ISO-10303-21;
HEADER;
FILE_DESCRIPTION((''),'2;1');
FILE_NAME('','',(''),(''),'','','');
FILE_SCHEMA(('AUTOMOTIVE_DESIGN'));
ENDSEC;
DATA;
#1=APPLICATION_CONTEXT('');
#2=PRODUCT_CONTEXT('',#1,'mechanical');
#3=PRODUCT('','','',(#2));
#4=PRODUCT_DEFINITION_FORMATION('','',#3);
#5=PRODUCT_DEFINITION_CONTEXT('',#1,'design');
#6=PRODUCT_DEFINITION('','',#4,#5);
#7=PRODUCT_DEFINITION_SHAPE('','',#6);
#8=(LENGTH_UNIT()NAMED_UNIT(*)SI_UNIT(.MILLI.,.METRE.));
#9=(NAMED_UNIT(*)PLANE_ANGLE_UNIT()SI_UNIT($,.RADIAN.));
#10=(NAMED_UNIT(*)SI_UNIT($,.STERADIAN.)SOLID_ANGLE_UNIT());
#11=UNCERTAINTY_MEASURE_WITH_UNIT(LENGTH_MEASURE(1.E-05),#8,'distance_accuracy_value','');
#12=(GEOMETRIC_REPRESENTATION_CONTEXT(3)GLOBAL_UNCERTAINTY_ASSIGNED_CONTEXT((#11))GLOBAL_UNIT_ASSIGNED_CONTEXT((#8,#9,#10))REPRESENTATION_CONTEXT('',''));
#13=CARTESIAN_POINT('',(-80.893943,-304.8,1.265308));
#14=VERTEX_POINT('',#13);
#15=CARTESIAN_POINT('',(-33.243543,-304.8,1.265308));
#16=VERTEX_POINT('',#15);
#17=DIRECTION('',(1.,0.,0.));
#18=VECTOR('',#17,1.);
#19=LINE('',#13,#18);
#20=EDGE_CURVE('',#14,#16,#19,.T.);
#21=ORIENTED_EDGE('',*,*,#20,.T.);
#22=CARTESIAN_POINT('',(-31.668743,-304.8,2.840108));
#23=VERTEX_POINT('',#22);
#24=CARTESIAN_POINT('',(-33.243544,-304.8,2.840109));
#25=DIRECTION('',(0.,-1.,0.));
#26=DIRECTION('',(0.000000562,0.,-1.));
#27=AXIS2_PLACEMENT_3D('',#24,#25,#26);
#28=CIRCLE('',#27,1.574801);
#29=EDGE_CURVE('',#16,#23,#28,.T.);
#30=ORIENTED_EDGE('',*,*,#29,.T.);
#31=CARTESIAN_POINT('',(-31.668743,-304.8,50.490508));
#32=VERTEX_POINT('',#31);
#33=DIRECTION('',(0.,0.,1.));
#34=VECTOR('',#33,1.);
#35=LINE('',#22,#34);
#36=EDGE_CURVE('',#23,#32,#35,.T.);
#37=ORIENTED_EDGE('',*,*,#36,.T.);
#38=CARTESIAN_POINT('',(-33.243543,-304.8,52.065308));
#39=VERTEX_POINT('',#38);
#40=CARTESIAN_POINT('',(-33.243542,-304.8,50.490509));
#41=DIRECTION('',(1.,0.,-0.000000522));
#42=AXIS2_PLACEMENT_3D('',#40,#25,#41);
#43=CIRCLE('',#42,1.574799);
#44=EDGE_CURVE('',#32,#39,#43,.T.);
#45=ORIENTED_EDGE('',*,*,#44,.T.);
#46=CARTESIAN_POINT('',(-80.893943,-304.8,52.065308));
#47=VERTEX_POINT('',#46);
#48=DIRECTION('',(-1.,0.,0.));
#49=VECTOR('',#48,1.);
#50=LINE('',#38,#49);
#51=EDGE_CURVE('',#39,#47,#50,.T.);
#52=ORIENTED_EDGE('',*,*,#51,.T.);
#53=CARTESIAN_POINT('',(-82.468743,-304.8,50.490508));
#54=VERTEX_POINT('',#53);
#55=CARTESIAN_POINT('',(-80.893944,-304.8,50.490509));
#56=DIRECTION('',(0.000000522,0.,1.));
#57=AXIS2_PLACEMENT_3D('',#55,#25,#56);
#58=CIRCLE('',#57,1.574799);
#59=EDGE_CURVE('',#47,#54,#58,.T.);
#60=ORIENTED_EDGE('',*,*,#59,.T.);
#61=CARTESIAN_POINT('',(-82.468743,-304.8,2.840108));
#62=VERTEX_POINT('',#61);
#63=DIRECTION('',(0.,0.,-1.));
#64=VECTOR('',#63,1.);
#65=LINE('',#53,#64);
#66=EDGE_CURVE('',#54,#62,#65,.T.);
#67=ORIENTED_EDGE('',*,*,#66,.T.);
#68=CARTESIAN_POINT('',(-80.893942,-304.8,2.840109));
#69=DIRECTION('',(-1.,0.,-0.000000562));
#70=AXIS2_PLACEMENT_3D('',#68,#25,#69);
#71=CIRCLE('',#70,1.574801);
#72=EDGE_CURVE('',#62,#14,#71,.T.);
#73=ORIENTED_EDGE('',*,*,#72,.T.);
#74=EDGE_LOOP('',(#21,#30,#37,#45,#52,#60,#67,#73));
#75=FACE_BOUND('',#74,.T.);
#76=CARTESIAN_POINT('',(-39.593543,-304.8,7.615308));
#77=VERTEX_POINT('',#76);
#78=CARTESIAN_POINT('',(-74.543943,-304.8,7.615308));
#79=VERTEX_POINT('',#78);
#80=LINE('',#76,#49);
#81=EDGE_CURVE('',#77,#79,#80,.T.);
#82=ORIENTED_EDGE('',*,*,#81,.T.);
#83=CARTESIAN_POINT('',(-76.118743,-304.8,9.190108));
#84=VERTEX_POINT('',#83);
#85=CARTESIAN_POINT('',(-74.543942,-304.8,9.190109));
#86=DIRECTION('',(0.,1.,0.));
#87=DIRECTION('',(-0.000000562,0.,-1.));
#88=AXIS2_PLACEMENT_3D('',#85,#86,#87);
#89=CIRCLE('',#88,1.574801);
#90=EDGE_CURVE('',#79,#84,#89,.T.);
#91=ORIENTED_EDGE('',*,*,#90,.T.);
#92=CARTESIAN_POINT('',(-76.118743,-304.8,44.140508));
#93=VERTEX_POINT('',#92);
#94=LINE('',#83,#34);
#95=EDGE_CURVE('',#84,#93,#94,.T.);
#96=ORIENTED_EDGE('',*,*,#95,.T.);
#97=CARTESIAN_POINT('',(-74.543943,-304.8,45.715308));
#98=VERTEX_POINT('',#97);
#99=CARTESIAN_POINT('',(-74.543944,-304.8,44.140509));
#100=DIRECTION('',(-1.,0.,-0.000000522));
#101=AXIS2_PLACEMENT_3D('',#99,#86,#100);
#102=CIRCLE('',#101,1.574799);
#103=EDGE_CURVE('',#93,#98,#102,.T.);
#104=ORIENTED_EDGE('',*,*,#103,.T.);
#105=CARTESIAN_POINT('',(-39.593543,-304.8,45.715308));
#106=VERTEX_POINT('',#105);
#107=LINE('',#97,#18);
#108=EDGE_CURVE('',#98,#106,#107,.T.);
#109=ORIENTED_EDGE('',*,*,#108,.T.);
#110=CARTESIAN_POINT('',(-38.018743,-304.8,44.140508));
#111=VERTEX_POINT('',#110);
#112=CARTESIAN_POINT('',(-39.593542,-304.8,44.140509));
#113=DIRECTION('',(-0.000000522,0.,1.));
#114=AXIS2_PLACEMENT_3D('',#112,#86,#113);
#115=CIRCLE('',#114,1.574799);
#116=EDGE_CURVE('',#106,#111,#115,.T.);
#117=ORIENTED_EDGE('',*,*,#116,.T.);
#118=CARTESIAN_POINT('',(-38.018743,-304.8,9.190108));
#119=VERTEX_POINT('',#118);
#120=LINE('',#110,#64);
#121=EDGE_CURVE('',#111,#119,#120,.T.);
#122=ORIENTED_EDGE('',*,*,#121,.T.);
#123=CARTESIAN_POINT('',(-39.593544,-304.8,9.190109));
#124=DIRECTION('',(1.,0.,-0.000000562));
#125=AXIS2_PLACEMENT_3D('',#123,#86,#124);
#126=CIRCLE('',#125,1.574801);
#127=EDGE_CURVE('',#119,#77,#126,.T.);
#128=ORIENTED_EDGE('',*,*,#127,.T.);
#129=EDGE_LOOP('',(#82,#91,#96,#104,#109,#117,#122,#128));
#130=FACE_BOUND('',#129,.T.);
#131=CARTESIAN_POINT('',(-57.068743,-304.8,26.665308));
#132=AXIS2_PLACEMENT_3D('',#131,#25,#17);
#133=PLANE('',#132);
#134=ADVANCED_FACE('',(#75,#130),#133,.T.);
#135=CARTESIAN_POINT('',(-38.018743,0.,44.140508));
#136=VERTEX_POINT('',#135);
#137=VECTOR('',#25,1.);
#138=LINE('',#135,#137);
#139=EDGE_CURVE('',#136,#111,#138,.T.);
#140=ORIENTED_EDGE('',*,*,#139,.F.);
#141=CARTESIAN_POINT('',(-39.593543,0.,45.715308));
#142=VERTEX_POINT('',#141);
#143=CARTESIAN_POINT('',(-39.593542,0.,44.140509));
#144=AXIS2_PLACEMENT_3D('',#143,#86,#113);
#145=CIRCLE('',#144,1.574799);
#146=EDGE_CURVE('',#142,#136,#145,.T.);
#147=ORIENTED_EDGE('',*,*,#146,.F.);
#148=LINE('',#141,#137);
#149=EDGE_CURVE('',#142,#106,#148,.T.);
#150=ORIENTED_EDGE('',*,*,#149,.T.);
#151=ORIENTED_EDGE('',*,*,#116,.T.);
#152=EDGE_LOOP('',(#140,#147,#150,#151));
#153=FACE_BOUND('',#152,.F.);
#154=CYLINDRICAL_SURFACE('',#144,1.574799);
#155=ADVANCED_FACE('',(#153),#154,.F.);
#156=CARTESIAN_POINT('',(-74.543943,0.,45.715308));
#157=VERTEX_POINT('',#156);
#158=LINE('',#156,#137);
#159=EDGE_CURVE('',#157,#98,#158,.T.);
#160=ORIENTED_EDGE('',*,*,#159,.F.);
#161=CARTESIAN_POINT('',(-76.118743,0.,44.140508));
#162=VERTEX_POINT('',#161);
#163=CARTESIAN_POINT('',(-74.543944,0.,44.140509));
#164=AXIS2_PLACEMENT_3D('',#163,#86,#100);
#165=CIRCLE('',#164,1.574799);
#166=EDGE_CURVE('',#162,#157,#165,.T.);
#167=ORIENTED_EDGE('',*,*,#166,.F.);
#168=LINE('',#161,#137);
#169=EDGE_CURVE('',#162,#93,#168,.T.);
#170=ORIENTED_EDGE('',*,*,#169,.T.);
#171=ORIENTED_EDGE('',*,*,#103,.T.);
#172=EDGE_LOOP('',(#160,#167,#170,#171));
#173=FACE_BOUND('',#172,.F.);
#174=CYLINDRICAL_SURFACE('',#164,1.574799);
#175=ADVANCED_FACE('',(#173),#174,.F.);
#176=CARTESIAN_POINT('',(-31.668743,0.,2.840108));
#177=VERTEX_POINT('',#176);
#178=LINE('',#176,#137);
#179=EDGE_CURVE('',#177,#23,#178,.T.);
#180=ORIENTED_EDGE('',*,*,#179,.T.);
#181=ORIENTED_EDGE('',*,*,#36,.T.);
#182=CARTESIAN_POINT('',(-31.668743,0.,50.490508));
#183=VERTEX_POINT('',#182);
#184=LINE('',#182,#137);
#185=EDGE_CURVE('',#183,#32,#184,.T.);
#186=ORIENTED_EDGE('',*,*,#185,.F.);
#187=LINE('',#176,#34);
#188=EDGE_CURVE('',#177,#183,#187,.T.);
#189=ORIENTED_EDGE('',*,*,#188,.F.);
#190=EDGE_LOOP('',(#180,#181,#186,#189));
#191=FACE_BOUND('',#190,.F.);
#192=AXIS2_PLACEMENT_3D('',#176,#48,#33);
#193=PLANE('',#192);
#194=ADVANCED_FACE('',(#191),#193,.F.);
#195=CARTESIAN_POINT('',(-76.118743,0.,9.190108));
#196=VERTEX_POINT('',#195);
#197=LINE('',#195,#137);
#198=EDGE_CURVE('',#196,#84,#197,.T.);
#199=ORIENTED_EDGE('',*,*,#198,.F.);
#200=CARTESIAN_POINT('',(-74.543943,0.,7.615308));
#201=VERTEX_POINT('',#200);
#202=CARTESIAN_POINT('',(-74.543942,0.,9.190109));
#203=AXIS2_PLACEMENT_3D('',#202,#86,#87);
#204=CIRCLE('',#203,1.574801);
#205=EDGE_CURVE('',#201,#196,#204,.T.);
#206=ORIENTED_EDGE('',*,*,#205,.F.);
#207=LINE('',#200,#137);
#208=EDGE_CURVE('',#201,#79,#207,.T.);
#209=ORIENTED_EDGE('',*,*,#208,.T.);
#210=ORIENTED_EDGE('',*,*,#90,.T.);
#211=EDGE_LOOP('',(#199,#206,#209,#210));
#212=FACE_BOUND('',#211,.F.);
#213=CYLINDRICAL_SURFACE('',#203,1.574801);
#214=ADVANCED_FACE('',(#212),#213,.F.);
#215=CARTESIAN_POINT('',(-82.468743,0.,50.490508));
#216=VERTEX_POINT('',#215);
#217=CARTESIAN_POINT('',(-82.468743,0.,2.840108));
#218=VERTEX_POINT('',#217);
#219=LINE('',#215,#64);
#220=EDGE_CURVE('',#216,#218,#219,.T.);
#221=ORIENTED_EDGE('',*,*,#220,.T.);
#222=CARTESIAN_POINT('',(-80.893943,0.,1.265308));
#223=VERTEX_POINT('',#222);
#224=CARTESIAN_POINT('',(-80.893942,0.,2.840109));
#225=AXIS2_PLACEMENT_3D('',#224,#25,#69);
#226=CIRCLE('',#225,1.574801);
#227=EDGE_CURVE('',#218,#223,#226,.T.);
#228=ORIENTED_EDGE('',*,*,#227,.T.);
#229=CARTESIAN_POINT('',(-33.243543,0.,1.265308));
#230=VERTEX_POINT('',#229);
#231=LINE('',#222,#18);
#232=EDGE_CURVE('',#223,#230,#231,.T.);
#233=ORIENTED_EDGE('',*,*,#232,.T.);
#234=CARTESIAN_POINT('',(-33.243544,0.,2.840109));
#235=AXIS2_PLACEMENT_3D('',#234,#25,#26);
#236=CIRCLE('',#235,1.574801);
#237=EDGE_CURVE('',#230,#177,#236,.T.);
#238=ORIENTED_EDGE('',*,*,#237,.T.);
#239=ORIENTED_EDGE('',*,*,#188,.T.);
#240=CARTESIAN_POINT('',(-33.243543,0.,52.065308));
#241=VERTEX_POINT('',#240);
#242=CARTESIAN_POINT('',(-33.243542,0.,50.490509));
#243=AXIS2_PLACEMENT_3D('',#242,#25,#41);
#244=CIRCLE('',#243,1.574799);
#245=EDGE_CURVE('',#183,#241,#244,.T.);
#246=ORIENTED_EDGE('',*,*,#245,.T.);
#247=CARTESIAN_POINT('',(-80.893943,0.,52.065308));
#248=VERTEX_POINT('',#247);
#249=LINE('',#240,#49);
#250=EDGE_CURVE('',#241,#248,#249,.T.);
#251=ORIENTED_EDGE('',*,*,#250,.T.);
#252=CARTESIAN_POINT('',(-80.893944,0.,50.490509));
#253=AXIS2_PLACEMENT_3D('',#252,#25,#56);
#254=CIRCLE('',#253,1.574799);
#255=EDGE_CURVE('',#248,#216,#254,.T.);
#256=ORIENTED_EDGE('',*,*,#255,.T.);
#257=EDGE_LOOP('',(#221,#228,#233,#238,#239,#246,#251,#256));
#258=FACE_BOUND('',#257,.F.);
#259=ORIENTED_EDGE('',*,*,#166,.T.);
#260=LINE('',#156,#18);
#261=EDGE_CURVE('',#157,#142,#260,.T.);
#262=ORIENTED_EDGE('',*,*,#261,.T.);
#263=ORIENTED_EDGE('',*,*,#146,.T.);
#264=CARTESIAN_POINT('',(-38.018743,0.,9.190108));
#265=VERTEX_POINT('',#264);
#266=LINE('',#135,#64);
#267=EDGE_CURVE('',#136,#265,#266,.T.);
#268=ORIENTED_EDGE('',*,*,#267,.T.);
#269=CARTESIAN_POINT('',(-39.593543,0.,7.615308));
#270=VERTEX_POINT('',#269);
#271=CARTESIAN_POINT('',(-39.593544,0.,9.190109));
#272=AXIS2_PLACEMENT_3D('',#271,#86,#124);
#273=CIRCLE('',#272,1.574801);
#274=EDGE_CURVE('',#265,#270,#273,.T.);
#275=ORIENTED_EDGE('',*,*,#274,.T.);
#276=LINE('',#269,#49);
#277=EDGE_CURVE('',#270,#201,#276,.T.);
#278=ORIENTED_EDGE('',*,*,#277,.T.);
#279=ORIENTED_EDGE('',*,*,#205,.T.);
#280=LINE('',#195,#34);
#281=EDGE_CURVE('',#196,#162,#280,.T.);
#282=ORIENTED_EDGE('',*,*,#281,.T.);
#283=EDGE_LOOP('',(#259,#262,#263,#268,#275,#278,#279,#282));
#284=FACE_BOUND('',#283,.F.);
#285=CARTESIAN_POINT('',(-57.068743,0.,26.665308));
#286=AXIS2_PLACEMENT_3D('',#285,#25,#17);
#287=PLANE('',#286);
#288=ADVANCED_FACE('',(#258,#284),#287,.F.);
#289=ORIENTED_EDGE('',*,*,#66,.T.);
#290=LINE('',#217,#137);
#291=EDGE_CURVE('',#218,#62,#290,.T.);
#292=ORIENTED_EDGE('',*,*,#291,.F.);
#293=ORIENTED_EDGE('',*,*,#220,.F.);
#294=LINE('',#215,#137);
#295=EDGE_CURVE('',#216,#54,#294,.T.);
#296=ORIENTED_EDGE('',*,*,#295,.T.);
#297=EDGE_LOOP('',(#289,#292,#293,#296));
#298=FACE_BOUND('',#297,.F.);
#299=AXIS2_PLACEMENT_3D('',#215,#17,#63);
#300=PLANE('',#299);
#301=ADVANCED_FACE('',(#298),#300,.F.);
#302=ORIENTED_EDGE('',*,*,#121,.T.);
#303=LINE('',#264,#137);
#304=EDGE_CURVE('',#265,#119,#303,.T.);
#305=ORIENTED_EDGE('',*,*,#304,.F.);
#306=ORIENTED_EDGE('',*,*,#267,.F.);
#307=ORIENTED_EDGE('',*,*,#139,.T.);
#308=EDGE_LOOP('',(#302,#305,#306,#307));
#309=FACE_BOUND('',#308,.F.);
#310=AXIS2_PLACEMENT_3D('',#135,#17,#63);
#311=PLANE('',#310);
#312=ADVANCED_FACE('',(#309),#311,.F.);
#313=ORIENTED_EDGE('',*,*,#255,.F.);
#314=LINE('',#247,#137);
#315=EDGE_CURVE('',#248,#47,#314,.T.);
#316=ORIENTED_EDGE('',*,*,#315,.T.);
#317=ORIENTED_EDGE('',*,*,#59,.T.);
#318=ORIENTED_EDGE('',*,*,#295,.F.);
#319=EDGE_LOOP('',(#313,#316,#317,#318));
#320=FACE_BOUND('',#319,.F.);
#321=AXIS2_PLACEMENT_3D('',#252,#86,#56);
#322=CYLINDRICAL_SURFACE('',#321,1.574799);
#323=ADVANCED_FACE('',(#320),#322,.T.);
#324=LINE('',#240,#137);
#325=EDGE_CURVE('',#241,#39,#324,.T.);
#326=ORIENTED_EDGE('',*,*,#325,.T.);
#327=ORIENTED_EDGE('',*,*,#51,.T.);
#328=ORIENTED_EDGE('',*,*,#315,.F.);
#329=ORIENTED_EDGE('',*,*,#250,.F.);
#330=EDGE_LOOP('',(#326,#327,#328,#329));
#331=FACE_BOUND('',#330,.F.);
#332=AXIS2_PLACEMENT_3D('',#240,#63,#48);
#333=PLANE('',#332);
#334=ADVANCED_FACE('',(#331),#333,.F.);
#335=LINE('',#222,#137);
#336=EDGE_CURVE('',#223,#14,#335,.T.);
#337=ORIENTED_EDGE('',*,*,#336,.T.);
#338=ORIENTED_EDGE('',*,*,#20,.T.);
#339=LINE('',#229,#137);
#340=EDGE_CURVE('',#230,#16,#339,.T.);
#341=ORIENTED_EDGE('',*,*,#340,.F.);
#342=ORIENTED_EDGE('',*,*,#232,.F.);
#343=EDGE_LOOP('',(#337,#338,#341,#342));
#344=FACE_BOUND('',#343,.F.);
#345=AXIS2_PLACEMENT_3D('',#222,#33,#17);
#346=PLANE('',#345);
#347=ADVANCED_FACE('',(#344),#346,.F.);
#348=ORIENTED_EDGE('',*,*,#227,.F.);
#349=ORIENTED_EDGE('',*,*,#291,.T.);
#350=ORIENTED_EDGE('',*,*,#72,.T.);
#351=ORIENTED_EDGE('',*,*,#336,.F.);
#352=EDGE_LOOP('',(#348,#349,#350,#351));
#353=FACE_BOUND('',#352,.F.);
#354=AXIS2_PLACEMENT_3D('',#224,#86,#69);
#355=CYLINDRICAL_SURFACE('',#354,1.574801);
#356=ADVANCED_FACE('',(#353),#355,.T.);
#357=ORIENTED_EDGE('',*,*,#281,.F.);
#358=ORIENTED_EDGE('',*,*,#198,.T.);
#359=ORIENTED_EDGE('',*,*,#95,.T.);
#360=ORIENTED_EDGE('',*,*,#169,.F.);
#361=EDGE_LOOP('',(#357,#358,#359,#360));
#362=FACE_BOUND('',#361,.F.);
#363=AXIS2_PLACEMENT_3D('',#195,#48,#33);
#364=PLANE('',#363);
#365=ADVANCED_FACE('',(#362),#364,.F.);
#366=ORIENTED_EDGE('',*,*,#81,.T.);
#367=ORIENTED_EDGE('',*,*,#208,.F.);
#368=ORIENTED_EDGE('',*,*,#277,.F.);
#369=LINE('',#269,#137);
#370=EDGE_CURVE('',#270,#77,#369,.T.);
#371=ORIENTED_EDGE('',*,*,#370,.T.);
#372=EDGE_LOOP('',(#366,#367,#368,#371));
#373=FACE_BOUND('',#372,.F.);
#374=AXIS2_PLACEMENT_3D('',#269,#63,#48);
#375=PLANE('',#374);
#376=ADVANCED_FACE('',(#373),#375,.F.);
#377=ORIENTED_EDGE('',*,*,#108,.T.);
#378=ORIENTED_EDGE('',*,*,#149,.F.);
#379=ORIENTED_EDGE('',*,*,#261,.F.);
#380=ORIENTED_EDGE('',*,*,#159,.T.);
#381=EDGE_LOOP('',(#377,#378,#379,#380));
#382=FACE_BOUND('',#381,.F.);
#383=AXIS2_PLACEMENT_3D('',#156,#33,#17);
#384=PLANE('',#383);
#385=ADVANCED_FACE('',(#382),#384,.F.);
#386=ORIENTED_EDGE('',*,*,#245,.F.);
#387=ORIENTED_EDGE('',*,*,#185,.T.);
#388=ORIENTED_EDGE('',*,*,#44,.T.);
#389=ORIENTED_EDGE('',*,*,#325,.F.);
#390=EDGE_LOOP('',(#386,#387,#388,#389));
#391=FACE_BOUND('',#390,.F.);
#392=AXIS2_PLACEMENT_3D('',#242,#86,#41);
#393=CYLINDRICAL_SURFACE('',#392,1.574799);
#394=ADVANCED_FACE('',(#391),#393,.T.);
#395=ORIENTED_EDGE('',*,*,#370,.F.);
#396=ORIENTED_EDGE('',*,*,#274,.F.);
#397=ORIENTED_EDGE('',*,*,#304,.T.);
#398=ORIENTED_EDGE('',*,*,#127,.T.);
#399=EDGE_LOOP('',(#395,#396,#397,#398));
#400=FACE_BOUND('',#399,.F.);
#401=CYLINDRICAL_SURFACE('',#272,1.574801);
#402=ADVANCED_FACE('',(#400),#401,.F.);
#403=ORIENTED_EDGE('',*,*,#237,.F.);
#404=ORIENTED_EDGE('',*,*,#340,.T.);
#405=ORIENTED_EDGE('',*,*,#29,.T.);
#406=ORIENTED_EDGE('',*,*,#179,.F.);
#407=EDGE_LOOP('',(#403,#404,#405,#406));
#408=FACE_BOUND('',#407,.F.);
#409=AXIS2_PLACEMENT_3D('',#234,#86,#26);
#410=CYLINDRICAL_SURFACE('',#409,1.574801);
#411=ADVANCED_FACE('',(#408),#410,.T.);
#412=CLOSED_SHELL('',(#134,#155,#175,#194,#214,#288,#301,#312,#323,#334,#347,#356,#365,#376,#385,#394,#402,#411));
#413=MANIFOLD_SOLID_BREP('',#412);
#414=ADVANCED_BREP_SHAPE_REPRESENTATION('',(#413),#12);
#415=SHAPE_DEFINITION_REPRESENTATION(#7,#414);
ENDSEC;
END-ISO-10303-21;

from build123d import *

# Parameters (mm, degrees)
F1_DEPTH = 304.8


with BuildPart() as f1:
    # F0 (on Front) → F1 (new body)
    with BuildSketch(Plane.XZ):
        with BuildLine():
            Line((-80.893943, 1.265308), (-33.243543, 1.265308))
            ThreePointArc((-33.243543, 1.265308), (-32.129991, 1.726557), (-31.668743, 2.840108))
            Line((-31.668743, 2.840108), (-31.668743, 50.490508))
            ThreePointArc((-31.668743, 50.490508), (-32.129991, 51.60406), (-33.243543, 52.065308))
            Line((-33.243543, 52.065308), (-80.893943, 52.065308))
            ThreePointArc((-80.893943, 52.065308), (-82.007495, 51.60406), (-82.468743, 50.490508))
            Line((-82.468743, 50.490508), (-82.468743, 2.840108))
            ThreePointArc((-82.468743, 2.840108), (-82.007495, 1.726557), (-80.893943, 1.265308))
        make_face()
        with BuildLine():
            Line((-39.593543, 7.615308), (-74.543943, 7.615308))
            ThreePointArc((-74.543943, 7.615308), (-75.657495, 8.076557), (-76.118743, 9.190108))
            Line((-76.118743, 9.190108), (-76.118743, 44.140508))
            ThreePointArc((-76.118743, 44.140508), (-75.657495, 45.25406), (-74.543943, 45.715308))
            Line((-74.543943, 45.715308), (-39.593543, 45.715308))
            ThreePointArc((-39.593543, 45.715308), (-38.479991, 45.25406), (-38.018743, 44.140508))
            Line((-38.018743, 44.140508), (-38.018743, 9.190108))
            ThreePointArc((-38.018743, 9.190108), (-38.479991, 8.076557), (-39.593543, 7.615308))
        make_face(mode=Mode.SUBTRACT)
    extrude(amount=F1_DEPTH)


solid = f1.part
